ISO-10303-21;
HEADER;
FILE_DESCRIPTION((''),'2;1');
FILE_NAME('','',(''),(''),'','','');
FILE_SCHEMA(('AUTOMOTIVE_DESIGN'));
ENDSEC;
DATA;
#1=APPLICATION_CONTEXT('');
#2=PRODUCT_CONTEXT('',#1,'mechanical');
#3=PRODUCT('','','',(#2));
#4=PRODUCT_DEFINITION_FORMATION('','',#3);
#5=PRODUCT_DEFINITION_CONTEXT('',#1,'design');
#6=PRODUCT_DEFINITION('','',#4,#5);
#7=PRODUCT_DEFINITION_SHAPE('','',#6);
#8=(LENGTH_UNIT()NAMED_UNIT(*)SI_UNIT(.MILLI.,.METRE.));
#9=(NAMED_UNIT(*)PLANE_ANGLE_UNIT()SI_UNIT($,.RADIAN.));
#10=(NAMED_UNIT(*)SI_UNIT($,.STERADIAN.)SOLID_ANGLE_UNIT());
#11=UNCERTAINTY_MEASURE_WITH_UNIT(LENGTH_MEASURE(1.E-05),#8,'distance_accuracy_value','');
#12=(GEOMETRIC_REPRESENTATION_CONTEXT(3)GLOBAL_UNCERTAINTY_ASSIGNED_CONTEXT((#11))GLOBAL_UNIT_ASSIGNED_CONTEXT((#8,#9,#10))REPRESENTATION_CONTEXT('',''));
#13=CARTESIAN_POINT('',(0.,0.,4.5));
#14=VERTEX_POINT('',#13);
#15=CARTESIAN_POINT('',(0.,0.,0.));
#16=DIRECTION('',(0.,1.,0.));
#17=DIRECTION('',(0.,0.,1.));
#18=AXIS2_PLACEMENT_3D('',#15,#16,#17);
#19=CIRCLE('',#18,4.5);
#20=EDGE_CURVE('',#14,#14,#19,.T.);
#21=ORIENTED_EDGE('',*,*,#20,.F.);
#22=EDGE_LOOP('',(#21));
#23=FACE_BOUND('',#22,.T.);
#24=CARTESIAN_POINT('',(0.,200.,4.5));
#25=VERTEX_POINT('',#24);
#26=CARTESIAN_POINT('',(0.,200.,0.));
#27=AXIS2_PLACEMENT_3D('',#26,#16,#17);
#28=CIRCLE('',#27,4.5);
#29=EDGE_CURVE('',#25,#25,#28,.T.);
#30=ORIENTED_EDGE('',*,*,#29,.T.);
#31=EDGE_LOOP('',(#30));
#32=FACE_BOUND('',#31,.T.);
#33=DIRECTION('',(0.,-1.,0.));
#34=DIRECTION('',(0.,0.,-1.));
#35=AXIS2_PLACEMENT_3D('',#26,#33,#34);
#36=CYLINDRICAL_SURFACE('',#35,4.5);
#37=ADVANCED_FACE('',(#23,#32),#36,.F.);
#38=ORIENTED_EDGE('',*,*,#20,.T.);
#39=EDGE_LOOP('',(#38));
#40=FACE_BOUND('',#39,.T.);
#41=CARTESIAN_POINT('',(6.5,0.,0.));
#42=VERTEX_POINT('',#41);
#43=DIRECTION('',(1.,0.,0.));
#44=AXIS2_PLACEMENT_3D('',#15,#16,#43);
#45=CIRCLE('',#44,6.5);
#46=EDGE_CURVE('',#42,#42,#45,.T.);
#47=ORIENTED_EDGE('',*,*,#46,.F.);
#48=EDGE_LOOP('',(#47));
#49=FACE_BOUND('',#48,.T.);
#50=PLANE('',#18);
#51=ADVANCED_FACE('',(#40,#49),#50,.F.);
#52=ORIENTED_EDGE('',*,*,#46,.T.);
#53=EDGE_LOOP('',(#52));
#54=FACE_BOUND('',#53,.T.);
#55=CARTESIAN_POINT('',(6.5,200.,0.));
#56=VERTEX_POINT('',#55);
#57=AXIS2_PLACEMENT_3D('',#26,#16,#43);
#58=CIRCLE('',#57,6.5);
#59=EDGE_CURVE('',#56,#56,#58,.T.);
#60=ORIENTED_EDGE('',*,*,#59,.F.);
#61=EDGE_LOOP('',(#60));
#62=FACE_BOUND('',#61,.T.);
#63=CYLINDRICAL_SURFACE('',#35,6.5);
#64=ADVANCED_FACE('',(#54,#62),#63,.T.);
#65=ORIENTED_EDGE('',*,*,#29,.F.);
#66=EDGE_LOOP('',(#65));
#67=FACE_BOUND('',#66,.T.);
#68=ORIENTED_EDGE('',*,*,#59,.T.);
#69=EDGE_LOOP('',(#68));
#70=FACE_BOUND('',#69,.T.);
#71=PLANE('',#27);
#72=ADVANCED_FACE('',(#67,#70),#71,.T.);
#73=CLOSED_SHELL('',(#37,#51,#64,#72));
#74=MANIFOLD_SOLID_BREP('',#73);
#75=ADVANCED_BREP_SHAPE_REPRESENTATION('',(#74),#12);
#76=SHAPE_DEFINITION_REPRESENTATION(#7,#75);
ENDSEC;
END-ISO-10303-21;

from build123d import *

# Parameters (mm, degrees)
SKETCH_1_R      = 6.5
SKETCH_1_R_2    = 4.5
EXTRUDE_1_DEPTH = 200


with BuildPart() as part:
    # Эскиз1 → Вытянуть-Тонкостенный1 (new body)
    with BuildSketch(Plane(origin=(0, 0, 0), x_dir=(1, 0, 0), z_dir=(0, 1, 0))):
        Circle(SKETCH_1_R)
        Circle(SKETCH_1_R_2, mode=Mode.SUBTRACT)
    extrude(amount=EXTRUDE_1_DEPTH)


solid = part.part
